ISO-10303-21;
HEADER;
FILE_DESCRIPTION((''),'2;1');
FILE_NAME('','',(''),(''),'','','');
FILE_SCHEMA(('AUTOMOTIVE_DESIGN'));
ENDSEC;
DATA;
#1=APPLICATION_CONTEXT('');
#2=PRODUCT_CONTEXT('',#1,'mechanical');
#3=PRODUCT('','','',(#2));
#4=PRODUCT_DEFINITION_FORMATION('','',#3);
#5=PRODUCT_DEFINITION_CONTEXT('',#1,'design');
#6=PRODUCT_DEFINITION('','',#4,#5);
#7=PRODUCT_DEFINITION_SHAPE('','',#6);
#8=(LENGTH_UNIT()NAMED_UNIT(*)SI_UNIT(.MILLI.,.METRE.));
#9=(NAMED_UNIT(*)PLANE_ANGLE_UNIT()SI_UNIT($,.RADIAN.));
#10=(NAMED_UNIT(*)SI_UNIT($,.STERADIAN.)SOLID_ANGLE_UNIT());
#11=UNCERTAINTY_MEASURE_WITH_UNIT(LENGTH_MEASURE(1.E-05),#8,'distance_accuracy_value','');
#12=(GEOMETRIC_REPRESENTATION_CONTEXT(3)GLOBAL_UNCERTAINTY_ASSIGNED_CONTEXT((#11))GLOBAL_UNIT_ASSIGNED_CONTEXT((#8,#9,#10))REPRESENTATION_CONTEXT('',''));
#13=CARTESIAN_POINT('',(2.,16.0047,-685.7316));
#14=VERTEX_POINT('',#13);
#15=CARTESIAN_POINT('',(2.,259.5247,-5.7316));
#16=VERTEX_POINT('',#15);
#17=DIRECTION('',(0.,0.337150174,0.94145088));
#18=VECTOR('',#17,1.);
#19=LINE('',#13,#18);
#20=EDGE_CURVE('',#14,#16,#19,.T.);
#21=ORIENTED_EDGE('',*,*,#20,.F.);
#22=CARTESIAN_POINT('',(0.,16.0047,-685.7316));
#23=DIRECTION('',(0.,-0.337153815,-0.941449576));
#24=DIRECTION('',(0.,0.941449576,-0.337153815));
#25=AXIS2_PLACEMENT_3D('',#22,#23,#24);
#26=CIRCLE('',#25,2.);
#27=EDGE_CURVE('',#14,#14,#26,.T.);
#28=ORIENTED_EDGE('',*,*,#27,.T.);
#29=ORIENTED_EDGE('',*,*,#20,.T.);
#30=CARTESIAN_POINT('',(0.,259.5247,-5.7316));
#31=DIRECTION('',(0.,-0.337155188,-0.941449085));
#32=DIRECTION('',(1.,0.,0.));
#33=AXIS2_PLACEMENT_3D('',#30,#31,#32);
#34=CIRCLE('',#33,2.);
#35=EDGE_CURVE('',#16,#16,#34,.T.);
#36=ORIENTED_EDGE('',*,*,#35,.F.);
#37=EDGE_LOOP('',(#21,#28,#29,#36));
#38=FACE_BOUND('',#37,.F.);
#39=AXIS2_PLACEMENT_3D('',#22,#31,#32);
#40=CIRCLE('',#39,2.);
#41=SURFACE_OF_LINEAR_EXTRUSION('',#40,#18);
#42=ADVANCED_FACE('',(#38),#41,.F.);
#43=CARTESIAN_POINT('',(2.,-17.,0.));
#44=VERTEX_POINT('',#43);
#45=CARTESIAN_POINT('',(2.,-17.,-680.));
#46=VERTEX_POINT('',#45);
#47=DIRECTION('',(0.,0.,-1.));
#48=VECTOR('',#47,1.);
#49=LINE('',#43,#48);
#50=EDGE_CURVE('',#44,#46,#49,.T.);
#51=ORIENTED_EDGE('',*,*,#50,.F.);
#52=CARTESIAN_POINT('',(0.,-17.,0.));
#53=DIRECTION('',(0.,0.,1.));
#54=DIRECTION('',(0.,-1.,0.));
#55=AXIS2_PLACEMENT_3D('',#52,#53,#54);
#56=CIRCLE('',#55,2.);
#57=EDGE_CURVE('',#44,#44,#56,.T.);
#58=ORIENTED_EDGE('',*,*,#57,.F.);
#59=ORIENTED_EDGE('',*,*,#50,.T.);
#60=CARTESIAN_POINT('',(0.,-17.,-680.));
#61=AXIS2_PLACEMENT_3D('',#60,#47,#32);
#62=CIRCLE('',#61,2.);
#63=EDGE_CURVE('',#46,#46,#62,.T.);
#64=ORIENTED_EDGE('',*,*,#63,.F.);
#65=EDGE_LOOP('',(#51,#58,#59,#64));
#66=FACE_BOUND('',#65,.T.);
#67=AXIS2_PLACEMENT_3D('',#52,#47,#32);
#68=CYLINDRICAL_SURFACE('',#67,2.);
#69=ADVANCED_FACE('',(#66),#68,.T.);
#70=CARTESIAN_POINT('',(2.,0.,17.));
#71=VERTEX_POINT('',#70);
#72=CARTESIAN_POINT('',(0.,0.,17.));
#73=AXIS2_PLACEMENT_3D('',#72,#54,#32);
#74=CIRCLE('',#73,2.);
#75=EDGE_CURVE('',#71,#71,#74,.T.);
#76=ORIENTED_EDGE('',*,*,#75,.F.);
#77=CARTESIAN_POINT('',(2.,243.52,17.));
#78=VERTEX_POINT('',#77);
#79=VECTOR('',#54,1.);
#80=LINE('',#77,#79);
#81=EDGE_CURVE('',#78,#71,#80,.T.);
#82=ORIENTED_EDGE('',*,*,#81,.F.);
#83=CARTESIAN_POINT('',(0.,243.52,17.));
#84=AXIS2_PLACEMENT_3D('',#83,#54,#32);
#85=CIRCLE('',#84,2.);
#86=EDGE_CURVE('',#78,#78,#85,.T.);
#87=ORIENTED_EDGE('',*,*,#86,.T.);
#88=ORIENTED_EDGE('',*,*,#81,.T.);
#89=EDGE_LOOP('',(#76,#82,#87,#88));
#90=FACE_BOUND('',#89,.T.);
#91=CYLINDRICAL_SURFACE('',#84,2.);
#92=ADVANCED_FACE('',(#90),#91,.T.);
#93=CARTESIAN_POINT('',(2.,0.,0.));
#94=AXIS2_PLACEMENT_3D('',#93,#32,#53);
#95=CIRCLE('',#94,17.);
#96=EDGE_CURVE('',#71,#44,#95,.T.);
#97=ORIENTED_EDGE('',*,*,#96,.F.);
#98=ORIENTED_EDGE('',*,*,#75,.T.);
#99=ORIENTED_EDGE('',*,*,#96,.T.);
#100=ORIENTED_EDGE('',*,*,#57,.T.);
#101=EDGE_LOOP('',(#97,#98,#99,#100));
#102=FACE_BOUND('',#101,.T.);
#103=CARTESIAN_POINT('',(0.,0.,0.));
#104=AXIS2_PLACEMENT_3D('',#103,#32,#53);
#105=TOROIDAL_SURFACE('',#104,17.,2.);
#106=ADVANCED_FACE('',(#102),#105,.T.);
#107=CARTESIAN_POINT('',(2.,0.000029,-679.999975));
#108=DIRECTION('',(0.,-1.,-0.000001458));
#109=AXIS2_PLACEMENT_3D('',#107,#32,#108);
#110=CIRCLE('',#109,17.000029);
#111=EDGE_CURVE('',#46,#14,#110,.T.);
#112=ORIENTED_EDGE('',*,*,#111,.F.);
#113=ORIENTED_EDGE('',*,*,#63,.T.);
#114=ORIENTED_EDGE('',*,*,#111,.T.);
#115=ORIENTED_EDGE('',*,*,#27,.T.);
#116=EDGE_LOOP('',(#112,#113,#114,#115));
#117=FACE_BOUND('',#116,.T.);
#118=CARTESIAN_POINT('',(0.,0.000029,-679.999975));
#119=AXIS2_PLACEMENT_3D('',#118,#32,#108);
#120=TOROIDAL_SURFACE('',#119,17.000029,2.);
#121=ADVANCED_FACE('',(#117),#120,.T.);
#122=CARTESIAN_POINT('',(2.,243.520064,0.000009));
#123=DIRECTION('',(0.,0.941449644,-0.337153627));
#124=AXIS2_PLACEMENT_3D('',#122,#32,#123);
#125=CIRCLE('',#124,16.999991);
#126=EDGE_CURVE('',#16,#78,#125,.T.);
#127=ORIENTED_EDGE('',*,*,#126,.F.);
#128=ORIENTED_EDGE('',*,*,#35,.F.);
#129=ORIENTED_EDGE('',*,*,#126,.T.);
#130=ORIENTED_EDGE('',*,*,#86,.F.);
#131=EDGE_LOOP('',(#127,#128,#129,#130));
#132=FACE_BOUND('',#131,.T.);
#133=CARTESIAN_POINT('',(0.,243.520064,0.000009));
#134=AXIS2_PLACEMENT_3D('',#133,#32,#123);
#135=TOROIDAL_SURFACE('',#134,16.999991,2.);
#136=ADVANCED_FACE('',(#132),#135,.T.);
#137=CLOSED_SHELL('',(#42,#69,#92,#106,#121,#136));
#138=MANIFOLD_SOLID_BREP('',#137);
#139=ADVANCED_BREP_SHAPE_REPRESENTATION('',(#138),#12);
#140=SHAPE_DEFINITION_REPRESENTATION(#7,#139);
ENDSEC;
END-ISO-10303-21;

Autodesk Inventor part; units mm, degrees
ref_plane "YZ Plane" through (0, 0, 0) normal (1, 0, 0) x (0, 1, 0)
ref_plane "XZ Plane" through (0, 0, 0) normal (0, 1, 0) x (-1, 0, 0)
ref_plane "XY Plane" through (0, 0, 0) normal (0, 0, 1) x (1, 0, 0)
sketch "Skizze1" plane through (0, 0, 0) normal (1, 0, 0) x (0, 1, 0)
  circle A0 centre (243.52, 0) radius 17 construction
  circle A1 centre (0, 0) radius 17 construction
  circle A2 centre (0, -680) radius 17 construction
  line L0 (243.52, 17) -> (0, 17)
  arc A3 (0, 17) -> (-17, 0) centre (0, 0) ccw
  line L1 (-17, 0) -> (-17, -680)
  arc A4 (-17, -680) -> (16.0047, -685.7316) centre (0, -680) ccw
  line L2 (16.0047, -685.7316) -> (259.5247, -5.7316)
  arc A5 (259.5247, -5.7316) -> (243.52, 17) centre (243.52, 0) ccw
  dimension "d0" = 34
  dimension "d1" = 34
  dimension "d2" = 34
  dimension "d3" = 243.52
  dimension "d4" = 680
sketch "Skizze2" plane through (0, 0, 0) normal (0, 0, 1) x (1, 0, 0)
  circle A0 centre (0, -17) radius 2
  line L0 (0, 243.52) -> (0, 0) projected
  point P0 (0, 0)
  point P1 (0, -17)
  dimension "d5" = 4
sweep "Sweeping1" add profiles "Skizze2" path "Skizze1"
properties part number "Adrian_Faden"
